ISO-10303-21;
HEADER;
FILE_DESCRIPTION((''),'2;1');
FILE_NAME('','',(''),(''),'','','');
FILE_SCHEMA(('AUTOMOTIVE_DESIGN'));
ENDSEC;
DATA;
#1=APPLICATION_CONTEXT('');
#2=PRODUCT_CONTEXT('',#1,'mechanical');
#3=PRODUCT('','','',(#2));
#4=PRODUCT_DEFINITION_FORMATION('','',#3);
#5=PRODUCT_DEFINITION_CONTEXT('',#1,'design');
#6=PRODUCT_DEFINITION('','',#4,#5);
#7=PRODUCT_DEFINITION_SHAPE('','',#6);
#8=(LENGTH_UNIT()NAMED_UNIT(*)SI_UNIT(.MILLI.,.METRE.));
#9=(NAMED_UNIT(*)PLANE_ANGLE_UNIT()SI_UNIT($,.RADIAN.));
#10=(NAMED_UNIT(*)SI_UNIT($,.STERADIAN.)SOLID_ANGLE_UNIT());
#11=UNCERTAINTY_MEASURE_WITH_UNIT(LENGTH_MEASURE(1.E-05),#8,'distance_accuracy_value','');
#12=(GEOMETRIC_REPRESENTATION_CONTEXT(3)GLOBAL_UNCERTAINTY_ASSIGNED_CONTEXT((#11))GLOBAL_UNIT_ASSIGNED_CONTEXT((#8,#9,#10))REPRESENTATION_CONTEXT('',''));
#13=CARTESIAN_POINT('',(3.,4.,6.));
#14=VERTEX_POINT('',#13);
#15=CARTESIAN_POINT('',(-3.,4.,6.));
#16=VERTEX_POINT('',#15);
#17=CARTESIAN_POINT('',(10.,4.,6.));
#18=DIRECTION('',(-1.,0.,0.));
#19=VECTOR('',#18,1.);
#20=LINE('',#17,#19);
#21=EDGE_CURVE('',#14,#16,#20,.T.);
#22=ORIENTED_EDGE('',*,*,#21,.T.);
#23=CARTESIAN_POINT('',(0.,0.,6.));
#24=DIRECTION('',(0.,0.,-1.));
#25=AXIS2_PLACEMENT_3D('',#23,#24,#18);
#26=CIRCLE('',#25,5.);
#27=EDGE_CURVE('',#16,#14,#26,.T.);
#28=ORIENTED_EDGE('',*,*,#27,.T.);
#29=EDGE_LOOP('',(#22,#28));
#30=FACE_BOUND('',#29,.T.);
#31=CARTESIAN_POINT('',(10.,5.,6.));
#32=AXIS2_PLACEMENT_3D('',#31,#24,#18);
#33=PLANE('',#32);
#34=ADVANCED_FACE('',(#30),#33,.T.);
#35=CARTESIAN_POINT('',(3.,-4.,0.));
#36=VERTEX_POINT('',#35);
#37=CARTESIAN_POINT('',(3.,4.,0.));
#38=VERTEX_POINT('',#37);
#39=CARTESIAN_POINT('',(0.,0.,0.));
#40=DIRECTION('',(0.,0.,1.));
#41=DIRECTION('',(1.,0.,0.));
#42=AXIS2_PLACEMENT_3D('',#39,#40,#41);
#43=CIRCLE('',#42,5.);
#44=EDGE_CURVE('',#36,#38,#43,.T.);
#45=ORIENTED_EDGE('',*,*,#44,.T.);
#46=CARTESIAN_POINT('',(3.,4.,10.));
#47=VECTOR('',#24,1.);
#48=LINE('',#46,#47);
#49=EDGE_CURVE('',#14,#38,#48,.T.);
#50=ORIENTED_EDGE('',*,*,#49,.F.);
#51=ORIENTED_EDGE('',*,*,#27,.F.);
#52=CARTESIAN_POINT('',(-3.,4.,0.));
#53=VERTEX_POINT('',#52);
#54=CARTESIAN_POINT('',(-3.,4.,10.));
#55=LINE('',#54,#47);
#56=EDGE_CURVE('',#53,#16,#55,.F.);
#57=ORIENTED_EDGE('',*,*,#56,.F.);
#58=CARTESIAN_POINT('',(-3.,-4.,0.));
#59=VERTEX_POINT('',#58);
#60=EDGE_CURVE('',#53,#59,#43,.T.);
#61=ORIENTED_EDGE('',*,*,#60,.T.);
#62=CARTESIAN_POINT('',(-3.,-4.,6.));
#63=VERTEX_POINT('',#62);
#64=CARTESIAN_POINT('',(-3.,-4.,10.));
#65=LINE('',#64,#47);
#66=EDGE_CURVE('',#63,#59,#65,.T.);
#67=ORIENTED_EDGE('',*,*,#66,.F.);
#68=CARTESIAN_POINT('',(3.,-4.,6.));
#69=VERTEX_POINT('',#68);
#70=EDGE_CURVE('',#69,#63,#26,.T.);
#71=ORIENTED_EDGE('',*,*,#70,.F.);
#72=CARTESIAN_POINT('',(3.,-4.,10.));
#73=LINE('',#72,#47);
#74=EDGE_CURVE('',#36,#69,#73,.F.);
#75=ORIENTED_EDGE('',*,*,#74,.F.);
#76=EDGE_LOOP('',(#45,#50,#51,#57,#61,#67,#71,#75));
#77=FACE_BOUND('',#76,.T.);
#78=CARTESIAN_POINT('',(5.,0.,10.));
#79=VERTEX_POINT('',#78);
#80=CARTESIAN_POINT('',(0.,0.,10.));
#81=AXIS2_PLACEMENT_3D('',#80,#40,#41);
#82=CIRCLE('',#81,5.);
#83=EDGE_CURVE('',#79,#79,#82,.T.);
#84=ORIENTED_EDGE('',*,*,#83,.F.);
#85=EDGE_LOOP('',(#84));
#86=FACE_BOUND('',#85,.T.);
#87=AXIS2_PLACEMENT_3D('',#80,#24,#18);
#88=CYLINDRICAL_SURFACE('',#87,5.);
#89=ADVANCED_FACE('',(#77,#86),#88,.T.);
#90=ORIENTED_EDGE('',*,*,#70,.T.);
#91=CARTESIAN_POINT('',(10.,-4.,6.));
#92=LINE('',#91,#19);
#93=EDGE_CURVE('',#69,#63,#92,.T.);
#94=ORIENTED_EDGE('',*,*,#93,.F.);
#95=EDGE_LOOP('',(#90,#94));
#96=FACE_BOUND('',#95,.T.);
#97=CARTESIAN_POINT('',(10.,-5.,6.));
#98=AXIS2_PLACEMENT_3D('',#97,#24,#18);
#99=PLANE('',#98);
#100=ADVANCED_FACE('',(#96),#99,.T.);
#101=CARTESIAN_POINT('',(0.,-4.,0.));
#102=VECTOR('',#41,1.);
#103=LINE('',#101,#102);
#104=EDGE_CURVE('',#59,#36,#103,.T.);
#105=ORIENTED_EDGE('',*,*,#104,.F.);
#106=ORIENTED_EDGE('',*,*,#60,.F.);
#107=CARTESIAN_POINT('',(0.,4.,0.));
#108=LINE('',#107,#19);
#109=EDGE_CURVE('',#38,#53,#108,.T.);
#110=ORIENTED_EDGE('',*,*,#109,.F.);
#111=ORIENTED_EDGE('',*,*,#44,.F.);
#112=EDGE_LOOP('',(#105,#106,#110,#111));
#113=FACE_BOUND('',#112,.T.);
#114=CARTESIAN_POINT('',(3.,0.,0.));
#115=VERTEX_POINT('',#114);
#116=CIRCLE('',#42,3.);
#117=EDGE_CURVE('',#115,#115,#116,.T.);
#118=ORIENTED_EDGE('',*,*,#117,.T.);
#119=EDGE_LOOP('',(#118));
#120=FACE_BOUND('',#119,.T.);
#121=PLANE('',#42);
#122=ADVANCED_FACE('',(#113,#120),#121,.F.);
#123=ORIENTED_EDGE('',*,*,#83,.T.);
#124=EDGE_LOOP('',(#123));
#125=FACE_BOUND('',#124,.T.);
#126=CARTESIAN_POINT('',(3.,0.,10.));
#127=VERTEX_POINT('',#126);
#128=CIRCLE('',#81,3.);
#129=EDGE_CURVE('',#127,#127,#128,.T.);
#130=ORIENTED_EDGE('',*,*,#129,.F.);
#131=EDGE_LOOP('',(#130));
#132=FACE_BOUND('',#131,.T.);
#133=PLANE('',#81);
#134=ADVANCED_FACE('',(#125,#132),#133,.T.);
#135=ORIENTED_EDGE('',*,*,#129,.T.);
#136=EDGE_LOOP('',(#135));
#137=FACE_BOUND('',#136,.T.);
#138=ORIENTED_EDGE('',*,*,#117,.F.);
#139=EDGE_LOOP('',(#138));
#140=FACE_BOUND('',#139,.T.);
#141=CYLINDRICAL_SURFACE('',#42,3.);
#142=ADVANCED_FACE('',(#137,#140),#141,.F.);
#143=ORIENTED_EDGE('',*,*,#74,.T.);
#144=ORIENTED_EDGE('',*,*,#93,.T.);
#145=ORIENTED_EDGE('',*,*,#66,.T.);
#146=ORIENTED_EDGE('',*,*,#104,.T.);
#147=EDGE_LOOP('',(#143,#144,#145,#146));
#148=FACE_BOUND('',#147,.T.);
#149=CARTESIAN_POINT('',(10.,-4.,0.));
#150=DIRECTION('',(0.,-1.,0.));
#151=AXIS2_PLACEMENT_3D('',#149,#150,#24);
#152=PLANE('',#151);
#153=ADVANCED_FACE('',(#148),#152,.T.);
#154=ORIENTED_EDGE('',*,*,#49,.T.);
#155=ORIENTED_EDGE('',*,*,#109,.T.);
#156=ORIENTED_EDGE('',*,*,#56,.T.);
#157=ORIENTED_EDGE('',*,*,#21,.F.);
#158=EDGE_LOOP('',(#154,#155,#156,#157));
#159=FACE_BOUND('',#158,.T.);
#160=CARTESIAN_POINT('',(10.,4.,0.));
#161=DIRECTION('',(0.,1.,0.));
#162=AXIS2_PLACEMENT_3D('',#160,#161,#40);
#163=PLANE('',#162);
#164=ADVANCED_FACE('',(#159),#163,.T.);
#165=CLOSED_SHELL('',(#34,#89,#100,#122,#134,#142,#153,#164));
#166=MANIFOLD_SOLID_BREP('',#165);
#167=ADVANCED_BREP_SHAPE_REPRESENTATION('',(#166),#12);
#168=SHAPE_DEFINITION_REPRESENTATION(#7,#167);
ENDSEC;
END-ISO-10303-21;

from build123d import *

# Parameters (mm, degrees)
ESQUISSE1_R                  = 5
BOSS_EXTRU_1_DEPTH           = 10
ESQUISSE2_R                  = 3
ENL_V_MAT_EXTRU_1_DEPTH      = 10
ENL_V_MAT_EXTRU_2_DEPTH      = 10
ENL_V_MAT_EXTRU_2_DEPTH_BACK = 10
ESQUISSE3_W                  = 6
ESQUISSE3_H                  = 1


with BuildPart() as part:
    # Esquisse1 → Boss.-Extru.1 (new body)
    with BuildSketch(Plane.XY):
        Circle(ESQUISSE1_R)
    extrude(amount=BOSS_EXTRU_1_DEPTH)

    # Esquisse2 → Enlèv. mat.-Extru.1 (cut)
    with BuildSketch(Plane.XY.offset(10)):
        Circle(ESQUISSE2_R)
    extrude(amount=-ENL_V_MAT_EXTRU_1_DEPTH, mode=Mode.SUBTRACT)

    # Esquisse3 → Enlèv. mat.-Extru.2 (cut, two sides: drawn at the far end of the back side and taken through both)
    with BuildSketch(Plane(origin=(0, 0, 0), x_dir=(0, 0, -1), z_dir=(1, 0, 0)).offset(-ENL_V_MAT_EXTRU_2_DEPTH_BACK)):
        with Locations((-3, 4.5)):
            Rectangle(ESQUISSE3_W, ESQUISSE3_H)
        with Locations((-3, -4.5)):
            Rectangle(ESQUISSE3_W, ESQUISSE3_H)
    extrude(amount=ENL_V_MAT_EXTRU_2_DEPTH + ENL_V_MAT_EXTRU_2_DEPTH_BACK, mode=Mode.SUBTRACT)


solid = part.part
